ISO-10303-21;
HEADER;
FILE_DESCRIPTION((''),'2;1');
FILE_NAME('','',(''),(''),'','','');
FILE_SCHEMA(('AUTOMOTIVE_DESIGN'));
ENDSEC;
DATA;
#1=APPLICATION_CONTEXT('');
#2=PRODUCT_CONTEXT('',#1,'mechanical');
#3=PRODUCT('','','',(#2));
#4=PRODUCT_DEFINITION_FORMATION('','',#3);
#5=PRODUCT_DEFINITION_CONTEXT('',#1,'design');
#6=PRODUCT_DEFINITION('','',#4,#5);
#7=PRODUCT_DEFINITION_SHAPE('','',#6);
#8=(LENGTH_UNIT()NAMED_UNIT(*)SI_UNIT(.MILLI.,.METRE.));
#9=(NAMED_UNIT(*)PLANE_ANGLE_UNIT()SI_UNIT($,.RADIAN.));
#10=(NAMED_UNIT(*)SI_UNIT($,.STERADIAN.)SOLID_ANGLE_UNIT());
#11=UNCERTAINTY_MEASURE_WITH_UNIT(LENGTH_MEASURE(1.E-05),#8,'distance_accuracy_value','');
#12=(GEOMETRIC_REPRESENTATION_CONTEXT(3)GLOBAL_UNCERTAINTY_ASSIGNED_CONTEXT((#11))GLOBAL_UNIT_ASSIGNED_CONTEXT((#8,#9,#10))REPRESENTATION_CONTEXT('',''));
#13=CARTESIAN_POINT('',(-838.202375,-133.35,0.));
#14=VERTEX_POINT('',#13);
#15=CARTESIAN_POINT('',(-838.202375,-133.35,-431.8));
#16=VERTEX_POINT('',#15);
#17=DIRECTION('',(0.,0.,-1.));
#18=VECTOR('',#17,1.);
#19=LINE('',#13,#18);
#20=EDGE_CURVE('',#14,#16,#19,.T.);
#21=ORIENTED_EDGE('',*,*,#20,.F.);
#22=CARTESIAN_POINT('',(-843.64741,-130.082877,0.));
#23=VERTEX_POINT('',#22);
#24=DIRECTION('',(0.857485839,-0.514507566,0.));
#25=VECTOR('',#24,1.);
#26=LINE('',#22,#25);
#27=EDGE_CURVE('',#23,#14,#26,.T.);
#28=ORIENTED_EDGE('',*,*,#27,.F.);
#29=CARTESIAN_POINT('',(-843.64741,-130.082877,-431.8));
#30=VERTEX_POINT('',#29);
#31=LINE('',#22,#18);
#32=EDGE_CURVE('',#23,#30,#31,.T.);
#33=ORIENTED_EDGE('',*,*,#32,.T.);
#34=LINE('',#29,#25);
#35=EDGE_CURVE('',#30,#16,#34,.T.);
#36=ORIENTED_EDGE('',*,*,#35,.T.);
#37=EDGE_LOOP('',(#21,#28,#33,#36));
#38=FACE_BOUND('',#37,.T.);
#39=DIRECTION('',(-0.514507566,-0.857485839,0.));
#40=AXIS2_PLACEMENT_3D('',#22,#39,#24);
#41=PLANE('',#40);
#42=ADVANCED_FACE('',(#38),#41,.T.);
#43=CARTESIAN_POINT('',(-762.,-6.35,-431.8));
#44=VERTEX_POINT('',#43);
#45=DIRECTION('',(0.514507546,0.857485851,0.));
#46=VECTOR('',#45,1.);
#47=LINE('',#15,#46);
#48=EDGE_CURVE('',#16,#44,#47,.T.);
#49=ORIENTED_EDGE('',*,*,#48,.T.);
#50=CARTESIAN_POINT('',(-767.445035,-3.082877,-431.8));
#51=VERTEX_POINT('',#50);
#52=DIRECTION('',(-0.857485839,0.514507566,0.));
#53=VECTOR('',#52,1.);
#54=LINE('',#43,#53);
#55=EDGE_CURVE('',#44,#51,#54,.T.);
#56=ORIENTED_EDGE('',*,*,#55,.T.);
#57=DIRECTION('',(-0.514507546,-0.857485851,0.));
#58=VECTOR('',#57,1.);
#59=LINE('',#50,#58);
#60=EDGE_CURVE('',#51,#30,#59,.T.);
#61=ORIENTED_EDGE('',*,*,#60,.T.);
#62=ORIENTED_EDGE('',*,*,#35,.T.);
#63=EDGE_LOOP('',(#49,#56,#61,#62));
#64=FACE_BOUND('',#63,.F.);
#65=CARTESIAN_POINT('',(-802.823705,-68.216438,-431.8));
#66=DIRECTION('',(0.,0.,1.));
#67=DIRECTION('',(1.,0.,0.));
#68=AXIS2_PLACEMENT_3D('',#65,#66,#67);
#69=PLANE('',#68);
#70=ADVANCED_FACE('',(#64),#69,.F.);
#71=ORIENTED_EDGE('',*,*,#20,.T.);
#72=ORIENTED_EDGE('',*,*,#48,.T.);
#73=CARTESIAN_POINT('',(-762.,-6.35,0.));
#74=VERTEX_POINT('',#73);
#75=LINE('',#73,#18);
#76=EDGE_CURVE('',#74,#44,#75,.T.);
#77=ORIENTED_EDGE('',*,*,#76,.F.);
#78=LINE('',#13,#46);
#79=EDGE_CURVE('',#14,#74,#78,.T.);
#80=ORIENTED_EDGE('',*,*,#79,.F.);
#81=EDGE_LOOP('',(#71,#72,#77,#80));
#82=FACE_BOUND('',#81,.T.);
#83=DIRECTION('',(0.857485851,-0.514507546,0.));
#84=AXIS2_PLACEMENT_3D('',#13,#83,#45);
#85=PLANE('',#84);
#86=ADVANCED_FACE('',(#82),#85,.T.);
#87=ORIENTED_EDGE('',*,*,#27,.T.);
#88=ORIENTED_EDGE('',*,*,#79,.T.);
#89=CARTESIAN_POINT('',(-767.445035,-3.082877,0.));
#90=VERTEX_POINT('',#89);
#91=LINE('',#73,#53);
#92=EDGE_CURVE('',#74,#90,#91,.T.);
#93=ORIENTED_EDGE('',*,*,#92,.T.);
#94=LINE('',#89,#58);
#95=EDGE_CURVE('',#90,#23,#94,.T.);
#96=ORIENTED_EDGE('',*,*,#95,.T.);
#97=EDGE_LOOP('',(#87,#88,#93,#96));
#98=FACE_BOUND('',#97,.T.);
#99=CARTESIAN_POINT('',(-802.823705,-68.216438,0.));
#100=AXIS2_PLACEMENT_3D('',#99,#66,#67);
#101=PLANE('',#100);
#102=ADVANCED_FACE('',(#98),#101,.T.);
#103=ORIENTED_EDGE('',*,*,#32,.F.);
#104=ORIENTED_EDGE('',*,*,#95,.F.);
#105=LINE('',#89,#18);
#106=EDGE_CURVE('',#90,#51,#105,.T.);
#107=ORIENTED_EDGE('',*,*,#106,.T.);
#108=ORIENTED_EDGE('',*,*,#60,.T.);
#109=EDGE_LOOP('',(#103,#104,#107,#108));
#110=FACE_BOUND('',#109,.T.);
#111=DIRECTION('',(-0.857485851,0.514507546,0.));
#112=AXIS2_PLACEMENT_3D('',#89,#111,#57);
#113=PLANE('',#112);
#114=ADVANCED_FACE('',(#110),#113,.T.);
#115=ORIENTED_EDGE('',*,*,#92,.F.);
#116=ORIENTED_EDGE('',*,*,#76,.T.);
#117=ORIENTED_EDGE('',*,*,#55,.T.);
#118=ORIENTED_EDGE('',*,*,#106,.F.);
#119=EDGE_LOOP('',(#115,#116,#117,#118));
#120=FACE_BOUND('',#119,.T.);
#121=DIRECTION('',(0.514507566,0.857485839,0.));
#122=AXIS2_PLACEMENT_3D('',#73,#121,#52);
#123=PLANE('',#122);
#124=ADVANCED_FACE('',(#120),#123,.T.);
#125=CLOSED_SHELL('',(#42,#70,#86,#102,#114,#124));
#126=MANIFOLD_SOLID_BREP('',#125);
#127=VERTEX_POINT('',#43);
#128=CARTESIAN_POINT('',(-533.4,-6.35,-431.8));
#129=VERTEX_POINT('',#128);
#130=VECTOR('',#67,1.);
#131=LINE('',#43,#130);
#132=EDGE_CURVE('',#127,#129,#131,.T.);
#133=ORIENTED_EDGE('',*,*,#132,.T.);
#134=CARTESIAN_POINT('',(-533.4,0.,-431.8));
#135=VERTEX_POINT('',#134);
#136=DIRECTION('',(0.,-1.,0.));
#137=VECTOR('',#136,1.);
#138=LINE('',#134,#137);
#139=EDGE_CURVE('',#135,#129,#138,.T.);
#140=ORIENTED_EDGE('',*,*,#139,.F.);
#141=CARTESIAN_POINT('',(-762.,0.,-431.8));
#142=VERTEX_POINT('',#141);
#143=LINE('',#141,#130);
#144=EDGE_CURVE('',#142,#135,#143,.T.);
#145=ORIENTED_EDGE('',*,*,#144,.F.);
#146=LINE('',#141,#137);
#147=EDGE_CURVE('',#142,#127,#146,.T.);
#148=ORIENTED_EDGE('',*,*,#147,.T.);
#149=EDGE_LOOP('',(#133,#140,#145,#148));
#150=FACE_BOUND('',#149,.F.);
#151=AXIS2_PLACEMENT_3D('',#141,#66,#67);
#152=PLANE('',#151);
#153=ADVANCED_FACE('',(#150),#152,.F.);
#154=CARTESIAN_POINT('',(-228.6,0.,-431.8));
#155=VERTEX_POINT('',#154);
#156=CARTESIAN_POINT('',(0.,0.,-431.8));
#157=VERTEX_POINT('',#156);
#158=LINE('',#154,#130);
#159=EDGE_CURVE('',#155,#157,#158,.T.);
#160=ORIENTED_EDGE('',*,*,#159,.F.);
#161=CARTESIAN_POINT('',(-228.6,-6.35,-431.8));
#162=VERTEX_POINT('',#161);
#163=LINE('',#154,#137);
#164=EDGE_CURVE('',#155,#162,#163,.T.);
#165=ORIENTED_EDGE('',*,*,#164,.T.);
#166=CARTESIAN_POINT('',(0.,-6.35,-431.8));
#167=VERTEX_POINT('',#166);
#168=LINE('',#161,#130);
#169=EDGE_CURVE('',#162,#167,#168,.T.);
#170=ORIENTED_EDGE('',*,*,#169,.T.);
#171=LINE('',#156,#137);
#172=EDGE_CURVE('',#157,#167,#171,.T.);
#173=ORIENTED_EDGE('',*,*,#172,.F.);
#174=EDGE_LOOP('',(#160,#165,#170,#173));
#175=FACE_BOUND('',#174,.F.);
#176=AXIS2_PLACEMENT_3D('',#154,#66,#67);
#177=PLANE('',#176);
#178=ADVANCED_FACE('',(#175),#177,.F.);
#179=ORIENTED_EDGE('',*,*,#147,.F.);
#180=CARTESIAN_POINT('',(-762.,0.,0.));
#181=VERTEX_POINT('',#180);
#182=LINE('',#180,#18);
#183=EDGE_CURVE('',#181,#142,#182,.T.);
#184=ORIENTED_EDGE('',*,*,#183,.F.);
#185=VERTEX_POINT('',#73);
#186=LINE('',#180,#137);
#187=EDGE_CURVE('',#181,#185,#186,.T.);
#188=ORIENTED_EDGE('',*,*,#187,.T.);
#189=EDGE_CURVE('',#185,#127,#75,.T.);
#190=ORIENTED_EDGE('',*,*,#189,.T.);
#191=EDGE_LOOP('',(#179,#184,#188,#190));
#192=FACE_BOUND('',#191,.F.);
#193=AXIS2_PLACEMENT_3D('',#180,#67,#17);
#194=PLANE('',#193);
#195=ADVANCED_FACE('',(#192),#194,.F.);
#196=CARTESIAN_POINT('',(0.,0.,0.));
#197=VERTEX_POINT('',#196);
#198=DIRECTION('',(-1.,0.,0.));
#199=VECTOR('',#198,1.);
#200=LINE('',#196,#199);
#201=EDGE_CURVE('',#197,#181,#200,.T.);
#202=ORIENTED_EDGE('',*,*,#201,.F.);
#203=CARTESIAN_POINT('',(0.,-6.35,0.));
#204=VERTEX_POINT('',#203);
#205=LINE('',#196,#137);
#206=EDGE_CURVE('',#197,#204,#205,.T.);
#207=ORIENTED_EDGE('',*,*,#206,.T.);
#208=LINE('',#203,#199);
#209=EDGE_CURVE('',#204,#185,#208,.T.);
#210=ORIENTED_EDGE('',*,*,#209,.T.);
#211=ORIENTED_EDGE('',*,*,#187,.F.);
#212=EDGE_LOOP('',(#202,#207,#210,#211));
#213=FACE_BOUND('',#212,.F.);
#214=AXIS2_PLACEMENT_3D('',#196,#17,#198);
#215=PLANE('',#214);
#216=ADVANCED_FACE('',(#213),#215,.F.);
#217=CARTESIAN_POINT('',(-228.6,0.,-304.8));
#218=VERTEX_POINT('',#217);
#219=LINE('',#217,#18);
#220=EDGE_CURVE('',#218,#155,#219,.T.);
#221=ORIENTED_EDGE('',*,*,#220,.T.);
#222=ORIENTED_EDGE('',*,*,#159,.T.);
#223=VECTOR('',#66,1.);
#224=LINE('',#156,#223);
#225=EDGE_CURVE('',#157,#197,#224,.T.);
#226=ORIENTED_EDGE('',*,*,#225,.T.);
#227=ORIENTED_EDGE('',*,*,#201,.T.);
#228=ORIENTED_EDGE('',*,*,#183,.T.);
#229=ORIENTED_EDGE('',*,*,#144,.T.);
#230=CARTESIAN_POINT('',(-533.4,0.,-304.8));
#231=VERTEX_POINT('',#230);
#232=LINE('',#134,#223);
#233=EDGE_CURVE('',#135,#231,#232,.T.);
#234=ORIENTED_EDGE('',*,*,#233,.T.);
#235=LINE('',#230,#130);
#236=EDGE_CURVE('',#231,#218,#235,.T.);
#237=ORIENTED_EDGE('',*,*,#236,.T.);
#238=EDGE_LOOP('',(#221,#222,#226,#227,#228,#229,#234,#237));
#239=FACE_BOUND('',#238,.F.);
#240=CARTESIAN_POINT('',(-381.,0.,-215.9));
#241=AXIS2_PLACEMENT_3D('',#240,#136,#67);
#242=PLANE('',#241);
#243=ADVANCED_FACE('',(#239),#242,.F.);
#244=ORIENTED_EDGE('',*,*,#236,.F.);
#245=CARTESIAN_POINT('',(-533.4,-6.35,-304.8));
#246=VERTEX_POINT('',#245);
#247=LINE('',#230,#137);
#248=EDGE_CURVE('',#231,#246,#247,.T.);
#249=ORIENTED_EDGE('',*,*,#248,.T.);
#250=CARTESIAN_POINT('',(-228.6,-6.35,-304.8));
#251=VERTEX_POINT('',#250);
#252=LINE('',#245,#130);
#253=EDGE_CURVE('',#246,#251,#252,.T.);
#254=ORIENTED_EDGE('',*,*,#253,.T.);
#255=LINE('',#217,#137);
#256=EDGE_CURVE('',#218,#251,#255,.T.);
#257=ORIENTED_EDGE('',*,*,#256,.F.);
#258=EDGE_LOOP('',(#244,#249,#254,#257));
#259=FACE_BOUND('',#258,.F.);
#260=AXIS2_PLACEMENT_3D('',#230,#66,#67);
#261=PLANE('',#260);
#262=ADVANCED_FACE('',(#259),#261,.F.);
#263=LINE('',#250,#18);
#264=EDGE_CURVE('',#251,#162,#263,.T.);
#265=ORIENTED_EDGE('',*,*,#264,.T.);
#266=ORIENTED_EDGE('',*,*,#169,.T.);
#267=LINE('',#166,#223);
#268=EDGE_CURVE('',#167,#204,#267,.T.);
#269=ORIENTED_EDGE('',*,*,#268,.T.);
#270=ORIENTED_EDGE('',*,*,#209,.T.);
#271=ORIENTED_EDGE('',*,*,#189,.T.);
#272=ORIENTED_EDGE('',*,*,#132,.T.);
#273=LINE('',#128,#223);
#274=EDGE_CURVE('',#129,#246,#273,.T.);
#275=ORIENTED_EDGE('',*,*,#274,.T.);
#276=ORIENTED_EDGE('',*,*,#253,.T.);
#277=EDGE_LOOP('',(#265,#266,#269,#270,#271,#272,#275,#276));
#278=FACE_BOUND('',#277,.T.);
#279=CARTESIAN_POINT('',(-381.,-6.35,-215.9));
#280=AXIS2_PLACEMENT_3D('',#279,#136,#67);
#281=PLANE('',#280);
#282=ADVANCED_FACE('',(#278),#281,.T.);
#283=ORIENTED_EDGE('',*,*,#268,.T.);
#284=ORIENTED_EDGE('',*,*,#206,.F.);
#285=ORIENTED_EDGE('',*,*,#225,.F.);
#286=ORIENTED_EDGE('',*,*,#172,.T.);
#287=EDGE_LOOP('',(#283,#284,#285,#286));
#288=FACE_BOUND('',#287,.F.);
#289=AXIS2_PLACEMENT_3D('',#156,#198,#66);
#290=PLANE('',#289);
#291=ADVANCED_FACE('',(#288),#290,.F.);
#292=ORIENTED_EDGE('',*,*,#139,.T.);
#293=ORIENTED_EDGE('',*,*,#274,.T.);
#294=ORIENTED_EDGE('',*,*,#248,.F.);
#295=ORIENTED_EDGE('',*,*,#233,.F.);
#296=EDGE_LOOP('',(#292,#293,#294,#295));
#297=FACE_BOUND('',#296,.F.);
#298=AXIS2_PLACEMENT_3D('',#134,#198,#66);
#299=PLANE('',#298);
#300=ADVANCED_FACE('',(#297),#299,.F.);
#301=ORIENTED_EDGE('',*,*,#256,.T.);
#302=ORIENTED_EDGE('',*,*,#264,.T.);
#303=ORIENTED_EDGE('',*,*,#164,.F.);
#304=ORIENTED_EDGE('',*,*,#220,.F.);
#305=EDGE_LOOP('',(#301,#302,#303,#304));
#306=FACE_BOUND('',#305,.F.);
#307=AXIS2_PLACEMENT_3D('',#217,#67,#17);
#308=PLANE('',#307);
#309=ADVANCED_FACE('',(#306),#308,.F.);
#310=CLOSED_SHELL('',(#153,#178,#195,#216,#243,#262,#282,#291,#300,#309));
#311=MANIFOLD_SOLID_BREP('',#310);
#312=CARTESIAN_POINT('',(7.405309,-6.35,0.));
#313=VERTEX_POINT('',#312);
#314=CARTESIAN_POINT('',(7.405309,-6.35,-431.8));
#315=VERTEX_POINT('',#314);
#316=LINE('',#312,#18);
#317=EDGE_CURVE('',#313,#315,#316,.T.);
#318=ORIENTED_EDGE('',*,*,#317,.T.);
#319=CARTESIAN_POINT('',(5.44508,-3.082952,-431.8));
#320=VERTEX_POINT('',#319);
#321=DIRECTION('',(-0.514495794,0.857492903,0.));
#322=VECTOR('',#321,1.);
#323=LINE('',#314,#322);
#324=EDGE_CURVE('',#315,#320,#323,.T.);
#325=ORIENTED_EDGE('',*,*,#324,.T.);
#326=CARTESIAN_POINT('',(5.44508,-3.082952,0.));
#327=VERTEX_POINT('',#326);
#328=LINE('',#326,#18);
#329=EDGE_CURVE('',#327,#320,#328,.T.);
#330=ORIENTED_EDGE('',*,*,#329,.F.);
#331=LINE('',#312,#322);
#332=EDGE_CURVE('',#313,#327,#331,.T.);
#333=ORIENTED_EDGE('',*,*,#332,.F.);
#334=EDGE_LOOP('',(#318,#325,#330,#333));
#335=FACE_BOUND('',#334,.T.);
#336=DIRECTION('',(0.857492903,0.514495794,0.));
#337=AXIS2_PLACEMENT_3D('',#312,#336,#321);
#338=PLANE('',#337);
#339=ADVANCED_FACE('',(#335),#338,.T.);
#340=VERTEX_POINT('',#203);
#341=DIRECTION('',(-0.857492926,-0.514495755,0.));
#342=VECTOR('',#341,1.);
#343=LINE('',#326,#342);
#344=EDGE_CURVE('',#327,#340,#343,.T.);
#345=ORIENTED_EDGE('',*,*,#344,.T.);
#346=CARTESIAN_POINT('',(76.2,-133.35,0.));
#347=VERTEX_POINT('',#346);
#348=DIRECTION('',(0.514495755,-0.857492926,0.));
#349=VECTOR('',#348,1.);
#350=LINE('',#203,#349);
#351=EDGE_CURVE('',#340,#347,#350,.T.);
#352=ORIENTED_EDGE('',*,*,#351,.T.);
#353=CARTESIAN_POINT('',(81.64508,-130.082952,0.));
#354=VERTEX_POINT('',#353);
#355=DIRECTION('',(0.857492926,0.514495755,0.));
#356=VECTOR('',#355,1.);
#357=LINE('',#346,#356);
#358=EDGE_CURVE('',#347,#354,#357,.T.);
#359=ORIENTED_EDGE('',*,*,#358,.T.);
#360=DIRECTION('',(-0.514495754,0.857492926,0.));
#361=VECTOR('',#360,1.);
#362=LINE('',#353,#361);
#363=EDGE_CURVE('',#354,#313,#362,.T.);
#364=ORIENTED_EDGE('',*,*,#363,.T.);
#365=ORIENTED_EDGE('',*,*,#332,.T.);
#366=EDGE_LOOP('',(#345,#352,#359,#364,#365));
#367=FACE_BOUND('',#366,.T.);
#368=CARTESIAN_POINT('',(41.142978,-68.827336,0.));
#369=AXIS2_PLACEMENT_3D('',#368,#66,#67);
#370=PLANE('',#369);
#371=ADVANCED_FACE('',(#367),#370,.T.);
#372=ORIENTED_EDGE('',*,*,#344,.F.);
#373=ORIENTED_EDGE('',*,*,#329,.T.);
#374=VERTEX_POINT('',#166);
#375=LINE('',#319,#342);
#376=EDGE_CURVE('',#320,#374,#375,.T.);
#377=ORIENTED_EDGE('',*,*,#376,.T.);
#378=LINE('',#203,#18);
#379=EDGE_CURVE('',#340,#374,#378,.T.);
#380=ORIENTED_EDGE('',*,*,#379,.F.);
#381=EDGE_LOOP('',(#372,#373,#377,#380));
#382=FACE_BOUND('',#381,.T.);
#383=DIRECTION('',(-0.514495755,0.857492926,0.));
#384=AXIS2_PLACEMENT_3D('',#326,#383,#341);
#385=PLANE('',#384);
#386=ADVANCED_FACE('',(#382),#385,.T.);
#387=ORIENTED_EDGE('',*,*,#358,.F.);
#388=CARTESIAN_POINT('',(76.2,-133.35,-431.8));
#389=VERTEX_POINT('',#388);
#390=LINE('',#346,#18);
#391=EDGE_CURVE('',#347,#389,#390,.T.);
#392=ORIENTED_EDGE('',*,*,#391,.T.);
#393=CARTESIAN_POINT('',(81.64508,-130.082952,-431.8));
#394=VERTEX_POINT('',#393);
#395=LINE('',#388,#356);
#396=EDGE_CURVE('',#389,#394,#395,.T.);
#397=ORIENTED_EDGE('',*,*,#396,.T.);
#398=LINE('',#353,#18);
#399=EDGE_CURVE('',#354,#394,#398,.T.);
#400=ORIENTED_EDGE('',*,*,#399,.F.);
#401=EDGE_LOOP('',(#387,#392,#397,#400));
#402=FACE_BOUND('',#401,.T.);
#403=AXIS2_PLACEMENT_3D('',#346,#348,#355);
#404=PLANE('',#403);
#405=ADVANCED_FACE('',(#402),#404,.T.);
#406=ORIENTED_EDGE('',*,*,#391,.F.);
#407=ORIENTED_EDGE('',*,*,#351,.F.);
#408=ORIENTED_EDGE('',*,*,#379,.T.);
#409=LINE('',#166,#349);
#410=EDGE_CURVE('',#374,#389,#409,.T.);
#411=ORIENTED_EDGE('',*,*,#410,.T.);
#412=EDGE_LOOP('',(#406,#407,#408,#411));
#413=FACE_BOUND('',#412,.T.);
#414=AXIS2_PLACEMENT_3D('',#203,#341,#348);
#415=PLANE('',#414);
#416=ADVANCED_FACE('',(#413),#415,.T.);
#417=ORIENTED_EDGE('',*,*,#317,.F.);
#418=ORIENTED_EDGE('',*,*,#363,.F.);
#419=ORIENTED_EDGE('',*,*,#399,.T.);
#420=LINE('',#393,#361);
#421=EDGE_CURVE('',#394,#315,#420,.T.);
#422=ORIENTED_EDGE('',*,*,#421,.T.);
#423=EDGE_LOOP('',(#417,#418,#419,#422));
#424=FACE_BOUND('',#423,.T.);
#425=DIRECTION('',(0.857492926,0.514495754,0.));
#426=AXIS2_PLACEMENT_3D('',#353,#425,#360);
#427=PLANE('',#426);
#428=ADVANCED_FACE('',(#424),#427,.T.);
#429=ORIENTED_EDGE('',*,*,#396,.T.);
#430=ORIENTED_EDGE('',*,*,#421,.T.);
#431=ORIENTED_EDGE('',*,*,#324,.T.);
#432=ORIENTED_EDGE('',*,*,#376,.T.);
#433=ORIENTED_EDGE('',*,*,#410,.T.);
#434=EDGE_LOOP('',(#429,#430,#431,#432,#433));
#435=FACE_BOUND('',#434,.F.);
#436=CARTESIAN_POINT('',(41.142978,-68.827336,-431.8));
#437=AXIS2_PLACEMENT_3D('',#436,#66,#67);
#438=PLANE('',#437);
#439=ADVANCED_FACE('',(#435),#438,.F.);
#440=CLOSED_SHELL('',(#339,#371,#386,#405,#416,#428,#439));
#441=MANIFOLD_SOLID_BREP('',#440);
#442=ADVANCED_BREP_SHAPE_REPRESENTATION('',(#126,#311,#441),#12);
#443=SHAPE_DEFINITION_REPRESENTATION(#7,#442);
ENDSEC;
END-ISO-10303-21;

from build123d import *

# Parameters (mm, degrees)
F1_DEPTH = 6.35
F3_DEPTH = 431.8
F5_DEPTH = 431.8


with BuildPart() as f1:
    # F0 (on Front) → F1 (new body)
    with BuildSketch(Plane.XZ):
        Polygon((0, -431.8), (0, 0), (-762, 0), (-762, -431.8), (-533.4, -431.8), (-533.4, -304.8), (-228.6, -304.8), (-228.6, -431.8), align=None)
    extrude(amount=F1_DEPTH)


with BuildPart() as f3:
    # F2 (on Top) → F3 (new body)
    with BuildSketch(Plane.XY):
        Polygon((7.405309, -6.35), (0, -6.35), (76.2, -133.35), (81.64508, -130.082952), align=None)
        Polygon((5.44508, -3.082952), (0, -6.35), (7.405309, -6.35), align=None)
    extrude(amount=-F3_DEPTH)


with BuildPart() as f5:
    # F4 (on Top) → F5 (new body)
    with BuildSketch(Plane.XY):
        Polygon((-838.202375, -133.35), (-762, -6.35), (-767.445035, -3.082877), (-843.64741, -130.082877), align=None)
    extrude(amount=-F5_DEPTH)


solid = Compound([f1.part, f3.part, f5.part])
